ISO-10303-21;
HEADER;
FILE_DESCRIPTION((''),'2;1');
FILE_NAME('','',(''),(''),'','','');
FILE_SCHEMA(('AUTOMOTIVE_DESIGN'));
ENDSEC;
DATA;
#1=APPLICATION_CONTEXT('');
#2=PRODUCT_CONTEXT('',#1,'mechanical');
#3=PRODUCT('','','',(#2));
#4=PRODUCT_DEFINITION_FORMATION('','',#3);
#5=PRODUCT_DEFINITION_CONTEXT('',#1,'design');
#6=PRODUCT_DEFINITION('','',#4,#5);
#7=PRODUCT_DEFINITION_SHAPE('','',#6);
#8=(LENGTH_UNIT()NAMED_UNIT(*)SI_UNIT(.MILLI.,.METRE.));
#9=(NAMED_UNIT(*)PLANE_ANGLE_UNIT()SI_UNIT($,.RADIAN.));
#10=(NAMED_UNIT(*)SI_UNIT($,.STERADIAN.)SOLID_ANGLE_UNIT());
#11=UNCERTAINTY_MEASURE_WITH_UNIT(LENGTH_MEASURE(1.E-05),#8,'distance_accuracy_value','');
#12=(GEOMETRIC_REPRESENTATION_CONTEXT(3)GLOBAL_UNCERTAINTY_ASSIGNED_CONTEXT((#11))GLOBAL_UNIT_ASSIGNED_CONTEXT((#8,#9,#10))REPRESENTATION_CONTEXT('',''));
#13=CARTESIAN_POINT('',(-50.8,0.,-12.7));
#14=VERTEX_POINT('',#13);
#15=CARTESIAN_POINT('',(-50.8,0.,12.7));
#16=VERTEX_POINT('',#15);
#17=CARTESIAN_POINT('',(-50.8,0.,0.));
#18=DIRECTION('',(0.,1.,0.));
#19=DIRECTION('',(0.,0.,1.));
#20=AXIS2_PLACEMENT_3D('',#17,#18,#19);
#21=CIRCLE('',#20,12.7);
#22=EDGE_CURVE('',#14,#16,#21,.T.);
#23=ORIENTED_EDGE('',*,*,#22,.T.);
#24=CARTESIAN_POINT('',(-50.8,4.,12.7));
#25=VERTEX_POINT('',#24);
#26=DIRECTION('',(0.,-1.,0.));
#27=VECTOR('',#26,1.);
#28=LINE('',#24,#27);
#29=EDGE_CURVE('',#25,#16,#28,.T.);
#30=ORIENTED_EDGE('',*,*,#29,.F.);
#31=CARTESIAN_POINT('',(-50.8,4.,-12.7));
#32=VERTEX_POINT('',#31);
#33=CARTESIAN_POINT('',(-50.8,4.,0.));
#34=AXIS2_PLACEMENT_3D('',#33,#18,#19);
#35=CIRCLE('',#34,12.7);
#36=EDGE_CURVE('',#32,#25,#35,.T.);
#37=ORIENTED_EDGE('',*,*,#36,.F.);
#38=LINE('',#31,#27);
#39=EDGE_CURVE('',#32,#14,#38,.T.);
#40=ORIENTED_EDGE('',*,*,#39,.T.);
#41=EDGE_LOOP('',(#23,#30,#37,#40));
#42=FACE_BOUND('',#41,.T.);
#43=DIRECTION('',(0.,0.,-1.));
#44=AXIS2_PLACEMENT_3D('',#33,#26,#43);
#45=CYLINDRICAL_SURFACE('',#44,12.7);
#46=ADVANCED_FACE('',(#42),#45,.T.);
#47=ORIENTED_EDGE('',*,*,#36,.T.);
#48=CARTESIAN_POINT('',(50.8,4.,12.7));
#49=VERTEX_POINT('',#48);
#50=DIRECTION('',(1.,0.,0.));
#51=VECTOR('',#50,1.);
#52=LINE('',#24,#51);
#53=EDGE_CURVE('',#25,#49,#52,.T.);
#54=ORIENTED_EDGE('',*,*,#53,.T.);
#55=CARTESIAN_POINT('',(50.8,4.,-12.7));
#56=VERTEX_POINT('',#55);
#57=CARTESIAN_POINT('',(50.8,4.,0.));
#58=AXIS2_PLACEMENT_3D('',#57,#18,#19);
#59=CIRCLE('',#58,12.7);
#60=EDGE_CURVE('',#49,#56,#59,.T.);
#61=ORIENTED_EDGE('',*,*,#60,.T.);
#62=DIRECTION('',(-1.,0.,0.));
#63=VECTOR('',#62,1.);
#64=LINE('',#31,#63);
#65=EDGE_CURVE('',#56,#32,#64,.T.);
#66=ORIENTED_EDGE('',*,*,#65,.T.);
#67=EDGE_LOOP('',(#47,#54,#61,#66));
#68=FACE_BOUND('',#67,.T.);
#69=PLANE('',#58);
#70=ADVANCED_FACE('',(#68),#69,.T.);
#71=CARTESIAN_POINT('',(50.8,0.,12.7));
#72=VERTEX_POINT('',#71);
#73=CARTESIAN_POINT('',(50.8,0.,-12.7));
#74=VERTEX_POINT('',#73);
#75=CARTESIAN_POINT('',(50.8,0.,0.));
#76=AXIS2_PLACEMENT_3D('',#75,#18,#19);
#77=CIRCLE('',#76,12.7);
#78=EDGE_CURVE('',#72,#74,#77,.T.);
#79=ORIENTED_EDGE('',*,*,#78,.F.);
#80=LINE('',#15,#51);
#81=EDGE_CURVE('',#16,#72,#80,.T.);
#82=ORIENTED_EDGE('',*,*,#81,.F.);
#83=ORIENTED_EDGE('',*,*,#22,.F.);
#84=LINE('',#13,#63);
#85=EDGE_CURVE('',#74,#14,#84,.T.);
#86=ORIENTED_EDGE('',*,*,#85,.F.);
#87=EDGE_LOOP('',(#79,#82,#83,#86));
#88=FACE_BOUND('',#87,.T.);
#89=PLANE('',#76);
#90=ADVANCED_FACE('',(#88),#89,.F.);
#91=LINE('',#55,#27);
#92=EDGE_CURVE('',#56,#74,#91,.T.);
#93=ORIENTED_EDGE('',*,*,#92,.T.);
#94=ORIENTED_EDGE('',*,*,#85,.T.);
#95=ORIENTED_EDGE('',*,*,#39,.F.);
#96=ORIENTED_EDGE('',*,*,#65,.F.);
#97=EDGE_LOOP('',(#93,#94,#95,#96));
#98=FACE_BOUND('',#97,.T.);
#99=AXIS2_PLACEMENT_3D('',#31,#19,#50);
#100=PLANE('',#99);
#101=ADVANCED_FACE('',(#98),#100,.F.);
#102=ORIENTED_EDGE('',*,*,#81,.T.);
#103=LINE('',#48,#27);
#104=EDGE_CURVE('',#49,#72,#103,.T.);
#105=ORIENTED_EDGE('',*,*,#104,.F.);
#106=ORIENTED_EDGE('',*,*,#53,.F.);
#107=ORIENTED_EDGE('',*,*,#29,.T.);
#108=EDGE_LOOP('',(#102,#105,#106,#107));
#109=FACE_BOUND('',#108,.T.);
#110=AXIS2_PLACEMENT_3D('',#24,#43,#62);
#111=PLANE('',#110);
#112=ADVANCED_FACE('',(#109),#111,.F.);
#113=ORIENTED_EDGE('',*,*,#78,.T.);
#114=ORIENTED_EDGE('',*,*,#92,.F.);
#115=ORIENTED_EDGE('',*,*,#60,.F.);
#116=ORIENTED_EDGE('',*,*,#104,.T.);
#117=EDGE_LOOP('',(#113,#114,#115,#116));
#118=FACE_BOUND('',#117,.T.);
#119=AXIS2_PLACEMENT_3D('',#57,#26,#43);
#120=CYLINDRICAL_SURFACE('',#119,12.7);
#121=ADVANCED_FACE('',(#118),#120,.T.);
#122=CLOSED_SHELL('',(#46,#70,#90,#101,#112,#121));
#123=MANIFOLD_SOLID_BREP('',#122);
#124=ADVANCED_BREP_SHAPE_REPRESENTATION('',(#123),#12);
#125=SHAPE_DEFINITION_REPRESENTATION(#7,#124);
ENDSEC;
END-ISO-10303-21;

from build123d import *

# Parameters (mm, degrees)
BOSS_EXTRUDE1_DEPTH = 4


with BuildPart() as part:
    # Sketch1 → Boss-Extrude1 (new body)
    with BuildSketch(Plane(origin=(0, 0, 0), x_dir=(1, 0, 0), z_dir=(0, 1, 0))):
        with BuildLine():
            Line((-50.8, 12.7), (50.8, 12.7))
            ThreePointArc((50.8, 12.7), (63.5, 0), (50.8, -12.7))
            Line((50.8, -12.7), (-50.8, -12.7))
            ThreePointArc((-50.8, -12.7), (-63.5, 0), (-50.8, 12.7))
        make_face()
    extrude(amount=BOSS_EXTRUDE1_DEPTH)


solid = part.part
